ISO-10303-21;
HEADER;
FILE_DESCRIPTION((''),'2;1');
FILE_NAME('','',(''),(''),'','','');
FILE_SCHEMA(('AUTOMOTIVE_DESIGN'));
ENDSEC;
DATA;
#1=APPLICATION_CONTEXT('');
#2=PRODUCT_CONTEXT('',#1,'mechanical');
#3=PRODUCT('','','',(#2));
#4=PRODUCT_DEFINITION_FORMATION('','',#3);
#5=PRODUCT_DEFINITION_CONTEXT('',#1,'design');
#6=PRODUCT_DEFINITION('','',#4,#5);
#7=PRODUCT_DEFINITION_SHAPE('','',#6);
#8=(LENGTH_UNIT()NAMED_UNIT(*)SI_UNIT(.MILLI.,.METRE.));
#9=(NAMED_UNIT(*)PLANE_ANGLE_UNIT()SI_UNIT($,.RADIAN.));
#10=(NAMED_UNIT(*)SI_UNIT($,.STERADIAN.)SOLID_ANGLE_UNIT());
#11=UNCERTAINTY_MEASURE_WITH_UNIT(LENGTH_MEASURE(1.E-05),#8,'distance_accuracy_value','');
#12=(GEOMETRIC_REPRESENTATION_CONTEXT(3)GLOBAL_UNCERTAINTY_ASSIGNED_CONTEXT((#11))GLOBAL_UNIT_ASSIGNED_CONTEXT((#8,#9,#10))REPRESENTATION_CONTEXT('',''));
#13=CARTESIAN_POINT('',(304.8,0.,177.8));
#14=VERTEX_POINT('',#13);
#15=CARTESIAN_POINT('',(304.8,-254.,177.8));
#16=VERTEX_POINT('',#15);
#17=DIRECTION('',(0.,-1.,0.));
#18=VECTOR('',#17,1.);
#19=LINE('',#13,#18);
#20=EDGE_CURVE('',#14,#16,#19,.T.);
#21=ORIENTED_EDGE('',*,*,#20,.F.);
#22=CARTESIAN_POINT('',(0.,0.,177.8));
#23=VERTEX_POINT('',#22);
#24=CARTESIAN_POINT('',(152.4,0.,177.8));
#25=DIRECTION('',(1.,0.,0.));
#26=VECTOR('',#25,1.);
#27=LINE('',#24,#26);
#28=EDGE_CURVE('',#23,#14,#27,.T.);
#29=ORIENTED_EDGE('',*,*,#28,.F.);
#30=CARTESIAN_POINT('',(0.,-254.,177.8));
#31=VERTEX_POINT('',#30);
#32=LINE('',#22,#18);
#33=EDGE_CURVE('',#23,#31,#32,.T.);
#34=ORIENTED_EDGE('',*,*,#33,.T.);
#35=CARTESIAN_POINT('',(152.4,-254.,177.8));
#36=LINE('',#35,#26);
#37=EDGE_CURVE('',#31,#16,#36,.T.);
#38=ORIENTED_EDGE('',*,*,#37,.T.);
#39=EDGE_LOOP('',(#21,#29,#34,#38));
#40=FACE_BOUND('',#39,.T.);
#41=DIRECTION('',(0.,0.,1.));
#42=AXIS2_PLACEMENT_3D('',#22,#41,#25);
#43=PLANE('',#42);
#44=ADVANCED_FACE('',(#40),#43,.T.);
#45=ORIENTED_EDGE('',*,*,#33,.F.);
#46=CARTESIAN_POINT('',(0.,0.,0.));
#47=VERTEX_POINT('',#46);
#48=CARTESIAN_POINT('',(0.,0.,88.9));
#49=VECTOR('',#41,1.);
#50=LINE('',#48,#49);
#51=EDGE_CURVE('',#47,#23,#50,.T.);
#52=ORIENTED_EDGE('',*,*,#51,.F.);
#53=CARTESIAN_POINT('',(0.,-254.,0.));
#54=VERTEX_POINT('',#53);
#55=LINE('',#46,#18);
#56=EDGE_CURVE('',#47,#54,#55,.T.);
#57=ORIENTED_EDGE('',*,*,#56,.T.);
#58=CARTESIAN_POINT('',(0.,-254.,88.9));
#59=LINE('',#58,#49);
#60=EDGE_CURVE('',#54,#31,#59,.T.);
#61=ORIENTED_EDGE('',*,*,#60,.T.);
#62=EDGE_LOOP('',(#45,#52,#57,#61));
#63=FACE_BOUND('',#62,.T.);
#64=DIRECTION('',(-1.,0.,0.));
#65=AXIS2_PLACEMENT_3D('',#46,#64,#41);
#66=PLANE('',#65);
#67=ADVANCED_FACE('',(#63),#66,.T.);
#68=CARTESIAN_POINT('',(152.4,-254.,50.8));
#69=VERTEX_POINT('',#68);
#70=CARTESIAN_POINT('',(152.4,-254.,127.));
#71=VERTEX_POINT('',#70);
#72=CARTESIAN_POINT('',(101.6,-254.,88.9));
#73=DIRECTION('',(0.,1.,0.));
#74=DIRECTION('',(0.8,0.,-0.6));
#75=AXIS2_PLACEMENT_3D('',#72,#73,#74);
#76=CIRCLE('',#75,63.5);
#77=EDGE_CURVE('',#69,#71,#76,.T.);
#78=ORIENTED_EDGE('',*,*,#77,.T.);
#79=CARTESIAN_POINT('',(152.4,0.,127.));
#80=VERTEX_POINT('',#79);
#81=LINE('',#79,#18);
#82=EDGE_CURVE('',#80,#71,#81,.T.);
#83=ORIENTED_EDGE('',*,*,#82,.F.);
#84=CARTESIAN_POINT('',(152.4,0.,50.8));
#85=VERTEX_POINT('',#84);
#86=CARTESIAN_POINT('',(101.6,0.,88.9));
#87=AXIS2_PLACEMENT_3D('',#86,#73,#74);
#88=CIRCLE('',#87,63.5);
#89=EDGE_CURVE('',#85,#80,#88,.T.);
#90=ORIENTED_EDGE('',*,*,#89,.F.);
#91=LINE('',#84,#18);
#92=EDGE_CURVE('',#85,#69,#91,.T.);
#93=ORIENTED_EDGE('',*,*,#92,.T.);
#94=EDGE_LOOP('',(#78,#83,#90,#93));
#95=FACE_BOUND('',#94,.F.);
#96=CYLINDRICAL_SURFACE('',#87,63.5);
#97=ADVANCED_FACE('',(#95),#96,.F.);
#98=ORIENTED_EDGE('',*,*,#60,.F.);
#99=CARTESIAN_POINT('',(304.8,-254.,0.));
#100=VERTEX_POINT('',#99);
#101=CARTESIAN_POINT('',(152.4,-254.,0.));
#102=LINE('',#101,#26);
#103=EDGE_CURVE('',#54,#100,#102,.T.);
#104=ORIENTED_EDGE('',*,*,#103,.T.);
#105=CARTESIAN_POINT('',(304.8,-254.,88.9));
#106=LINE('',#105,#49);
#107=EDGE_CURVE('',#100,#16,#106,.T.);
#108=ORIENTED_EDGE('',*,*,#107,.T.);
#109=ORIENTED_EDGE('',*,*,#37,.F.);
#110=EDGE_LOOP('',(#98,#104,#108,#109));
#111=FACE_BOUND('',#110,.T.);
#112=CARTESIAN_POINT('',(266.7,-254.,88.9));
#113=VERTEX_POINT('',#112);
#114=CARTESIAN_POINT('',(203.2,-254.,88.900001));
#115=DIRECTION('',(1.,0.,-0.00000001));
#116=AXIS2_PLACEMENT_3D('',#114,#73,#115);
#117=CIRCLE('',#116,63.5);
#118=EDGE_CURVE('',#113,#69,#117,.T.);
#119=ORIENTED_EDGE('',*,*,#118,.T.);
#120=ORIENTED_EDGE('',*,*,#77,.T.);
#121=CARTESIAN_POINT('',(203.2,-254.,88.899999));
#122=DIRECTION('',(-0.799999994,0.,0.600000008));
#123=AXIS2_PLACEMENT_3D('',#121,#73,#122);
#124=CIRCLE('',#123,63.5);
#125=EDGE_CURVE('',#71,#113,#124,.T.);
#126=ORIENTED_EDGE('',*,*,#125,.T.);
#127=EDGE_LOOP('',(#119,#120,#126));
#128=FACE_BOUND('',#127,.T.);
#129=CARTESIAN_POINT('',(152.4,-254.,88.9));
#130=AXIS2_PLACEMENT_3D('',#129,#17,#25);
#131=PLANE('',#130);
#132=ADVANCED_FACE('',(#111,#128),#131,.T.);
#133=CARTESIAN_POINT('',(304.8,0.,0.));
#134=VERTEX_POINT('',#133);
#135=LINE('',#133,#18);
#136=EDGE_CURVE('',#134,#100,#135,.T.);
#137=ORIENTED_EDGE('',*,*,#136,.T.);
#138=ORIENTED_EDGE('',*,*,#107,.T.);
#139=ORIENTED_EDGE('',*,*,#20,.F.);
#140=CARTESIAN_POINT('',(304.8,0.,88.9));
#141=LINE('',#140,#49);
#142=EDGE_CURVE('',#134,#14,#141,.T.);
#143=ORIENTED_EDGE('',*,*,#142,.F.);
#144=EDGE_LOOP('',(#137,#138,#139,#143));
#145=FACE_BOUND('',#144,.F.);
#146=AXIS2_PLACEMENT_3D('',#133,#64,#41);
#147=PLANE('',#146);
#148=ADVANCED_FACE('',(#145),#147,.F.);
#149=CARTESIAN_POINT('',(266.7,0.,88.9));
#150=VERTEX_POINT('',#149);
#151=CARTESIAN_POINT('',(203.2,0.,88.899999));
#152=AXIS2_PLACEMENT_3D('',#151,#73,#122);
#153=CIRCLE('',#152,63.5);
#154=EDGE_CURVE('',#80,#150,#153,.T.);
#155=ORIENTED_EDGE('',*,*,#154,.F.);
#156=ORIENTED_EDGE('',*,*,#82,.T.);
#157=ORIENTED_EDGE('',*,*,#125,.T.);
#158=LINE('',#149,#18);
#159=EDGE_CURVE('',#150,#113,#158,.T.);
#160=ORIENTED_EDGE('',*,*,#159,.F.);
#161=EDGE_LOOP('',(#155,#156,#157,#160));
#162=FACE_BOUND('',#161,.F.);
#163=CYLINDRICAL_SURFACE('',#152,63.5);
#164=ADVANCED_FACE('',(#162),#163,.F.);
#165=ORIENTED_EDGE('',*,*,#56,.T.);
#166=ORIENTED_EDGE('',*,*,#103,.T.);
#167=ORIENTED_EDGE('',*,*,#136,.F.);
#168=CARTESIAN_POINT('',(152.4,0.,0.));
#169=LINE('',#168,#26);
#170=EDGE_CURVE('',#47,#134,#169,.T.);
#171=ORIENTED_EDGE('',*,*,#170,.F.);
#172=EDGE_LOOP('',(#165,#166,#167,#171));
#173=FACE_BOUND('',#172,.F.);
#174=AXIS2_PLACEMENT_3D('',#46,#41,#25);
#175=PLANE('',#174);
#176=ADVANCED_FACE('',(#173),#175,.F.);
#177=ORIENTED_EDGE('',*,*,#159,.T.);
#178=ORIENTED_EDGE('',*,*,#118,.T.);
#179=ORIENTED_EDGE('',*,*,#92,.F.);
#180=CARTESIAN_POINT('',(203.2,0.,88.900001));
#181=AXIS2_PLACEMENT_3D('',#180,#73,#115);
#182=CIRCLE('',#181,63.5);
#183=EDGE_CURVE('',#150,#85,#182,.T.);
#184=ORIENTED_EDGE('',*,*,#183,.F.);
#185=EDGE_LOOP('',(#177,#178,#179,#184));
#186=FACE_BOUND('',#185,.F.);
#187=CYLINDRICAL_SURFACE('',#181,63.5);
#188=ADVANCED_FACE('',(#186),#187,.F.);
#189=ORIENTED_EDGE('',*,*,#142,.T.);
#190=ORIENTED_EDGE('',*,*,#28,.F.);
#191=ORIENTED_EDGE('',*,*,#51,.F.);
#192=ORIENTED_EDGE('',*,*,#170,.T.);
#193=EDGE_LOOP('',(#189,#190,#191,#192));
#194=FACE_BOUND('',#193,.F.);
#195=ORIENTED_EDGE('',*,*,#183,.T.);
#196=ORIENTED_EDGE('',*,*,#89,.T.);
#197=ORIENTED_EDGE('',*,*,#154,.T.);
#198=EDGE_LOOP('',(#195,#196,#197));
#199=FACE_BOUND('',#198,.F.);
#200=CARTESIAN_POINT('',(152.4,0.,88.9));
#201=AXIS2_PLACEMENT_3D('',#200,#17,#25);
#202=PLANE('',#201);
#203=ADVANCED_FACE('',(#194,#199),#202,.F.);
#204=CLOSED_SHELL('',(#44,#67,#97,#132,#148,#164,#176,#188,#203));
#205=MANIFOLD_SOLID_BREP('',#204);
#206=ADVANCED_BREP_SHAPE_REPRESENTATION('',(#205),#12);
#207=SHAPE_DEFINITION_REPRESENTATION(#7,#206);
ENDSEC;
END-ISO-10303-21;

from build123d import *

# Parameters (mm, degrees)
F0_W     = 304.8
F0_H     = 177.8
F1_DEPTH = 254


with BuildPart() as f1:
    # F0 (on Front) → F1 (new body)
    with BuildSketch(Plane.XZ):
        with Locations((152.4, 88.9)):
            Rectangle(F0_W, F0_H)
        with BuildLine():
            ThreePointArc((152.4, 50.8), (38.1, 88.9), (152.4, 127))
            ThreePointArc((152.4, 127), (223.280463, 149.141389), (266.7, 88.9))
            ThreePointArc((266.7, 88.9), (223.280463, 28.658611), (152.4, 50.8))
        make_face(mode=Mode.SUBTRACT)
    extrude(amount=F1_DEPTH)


solid = f1.part
